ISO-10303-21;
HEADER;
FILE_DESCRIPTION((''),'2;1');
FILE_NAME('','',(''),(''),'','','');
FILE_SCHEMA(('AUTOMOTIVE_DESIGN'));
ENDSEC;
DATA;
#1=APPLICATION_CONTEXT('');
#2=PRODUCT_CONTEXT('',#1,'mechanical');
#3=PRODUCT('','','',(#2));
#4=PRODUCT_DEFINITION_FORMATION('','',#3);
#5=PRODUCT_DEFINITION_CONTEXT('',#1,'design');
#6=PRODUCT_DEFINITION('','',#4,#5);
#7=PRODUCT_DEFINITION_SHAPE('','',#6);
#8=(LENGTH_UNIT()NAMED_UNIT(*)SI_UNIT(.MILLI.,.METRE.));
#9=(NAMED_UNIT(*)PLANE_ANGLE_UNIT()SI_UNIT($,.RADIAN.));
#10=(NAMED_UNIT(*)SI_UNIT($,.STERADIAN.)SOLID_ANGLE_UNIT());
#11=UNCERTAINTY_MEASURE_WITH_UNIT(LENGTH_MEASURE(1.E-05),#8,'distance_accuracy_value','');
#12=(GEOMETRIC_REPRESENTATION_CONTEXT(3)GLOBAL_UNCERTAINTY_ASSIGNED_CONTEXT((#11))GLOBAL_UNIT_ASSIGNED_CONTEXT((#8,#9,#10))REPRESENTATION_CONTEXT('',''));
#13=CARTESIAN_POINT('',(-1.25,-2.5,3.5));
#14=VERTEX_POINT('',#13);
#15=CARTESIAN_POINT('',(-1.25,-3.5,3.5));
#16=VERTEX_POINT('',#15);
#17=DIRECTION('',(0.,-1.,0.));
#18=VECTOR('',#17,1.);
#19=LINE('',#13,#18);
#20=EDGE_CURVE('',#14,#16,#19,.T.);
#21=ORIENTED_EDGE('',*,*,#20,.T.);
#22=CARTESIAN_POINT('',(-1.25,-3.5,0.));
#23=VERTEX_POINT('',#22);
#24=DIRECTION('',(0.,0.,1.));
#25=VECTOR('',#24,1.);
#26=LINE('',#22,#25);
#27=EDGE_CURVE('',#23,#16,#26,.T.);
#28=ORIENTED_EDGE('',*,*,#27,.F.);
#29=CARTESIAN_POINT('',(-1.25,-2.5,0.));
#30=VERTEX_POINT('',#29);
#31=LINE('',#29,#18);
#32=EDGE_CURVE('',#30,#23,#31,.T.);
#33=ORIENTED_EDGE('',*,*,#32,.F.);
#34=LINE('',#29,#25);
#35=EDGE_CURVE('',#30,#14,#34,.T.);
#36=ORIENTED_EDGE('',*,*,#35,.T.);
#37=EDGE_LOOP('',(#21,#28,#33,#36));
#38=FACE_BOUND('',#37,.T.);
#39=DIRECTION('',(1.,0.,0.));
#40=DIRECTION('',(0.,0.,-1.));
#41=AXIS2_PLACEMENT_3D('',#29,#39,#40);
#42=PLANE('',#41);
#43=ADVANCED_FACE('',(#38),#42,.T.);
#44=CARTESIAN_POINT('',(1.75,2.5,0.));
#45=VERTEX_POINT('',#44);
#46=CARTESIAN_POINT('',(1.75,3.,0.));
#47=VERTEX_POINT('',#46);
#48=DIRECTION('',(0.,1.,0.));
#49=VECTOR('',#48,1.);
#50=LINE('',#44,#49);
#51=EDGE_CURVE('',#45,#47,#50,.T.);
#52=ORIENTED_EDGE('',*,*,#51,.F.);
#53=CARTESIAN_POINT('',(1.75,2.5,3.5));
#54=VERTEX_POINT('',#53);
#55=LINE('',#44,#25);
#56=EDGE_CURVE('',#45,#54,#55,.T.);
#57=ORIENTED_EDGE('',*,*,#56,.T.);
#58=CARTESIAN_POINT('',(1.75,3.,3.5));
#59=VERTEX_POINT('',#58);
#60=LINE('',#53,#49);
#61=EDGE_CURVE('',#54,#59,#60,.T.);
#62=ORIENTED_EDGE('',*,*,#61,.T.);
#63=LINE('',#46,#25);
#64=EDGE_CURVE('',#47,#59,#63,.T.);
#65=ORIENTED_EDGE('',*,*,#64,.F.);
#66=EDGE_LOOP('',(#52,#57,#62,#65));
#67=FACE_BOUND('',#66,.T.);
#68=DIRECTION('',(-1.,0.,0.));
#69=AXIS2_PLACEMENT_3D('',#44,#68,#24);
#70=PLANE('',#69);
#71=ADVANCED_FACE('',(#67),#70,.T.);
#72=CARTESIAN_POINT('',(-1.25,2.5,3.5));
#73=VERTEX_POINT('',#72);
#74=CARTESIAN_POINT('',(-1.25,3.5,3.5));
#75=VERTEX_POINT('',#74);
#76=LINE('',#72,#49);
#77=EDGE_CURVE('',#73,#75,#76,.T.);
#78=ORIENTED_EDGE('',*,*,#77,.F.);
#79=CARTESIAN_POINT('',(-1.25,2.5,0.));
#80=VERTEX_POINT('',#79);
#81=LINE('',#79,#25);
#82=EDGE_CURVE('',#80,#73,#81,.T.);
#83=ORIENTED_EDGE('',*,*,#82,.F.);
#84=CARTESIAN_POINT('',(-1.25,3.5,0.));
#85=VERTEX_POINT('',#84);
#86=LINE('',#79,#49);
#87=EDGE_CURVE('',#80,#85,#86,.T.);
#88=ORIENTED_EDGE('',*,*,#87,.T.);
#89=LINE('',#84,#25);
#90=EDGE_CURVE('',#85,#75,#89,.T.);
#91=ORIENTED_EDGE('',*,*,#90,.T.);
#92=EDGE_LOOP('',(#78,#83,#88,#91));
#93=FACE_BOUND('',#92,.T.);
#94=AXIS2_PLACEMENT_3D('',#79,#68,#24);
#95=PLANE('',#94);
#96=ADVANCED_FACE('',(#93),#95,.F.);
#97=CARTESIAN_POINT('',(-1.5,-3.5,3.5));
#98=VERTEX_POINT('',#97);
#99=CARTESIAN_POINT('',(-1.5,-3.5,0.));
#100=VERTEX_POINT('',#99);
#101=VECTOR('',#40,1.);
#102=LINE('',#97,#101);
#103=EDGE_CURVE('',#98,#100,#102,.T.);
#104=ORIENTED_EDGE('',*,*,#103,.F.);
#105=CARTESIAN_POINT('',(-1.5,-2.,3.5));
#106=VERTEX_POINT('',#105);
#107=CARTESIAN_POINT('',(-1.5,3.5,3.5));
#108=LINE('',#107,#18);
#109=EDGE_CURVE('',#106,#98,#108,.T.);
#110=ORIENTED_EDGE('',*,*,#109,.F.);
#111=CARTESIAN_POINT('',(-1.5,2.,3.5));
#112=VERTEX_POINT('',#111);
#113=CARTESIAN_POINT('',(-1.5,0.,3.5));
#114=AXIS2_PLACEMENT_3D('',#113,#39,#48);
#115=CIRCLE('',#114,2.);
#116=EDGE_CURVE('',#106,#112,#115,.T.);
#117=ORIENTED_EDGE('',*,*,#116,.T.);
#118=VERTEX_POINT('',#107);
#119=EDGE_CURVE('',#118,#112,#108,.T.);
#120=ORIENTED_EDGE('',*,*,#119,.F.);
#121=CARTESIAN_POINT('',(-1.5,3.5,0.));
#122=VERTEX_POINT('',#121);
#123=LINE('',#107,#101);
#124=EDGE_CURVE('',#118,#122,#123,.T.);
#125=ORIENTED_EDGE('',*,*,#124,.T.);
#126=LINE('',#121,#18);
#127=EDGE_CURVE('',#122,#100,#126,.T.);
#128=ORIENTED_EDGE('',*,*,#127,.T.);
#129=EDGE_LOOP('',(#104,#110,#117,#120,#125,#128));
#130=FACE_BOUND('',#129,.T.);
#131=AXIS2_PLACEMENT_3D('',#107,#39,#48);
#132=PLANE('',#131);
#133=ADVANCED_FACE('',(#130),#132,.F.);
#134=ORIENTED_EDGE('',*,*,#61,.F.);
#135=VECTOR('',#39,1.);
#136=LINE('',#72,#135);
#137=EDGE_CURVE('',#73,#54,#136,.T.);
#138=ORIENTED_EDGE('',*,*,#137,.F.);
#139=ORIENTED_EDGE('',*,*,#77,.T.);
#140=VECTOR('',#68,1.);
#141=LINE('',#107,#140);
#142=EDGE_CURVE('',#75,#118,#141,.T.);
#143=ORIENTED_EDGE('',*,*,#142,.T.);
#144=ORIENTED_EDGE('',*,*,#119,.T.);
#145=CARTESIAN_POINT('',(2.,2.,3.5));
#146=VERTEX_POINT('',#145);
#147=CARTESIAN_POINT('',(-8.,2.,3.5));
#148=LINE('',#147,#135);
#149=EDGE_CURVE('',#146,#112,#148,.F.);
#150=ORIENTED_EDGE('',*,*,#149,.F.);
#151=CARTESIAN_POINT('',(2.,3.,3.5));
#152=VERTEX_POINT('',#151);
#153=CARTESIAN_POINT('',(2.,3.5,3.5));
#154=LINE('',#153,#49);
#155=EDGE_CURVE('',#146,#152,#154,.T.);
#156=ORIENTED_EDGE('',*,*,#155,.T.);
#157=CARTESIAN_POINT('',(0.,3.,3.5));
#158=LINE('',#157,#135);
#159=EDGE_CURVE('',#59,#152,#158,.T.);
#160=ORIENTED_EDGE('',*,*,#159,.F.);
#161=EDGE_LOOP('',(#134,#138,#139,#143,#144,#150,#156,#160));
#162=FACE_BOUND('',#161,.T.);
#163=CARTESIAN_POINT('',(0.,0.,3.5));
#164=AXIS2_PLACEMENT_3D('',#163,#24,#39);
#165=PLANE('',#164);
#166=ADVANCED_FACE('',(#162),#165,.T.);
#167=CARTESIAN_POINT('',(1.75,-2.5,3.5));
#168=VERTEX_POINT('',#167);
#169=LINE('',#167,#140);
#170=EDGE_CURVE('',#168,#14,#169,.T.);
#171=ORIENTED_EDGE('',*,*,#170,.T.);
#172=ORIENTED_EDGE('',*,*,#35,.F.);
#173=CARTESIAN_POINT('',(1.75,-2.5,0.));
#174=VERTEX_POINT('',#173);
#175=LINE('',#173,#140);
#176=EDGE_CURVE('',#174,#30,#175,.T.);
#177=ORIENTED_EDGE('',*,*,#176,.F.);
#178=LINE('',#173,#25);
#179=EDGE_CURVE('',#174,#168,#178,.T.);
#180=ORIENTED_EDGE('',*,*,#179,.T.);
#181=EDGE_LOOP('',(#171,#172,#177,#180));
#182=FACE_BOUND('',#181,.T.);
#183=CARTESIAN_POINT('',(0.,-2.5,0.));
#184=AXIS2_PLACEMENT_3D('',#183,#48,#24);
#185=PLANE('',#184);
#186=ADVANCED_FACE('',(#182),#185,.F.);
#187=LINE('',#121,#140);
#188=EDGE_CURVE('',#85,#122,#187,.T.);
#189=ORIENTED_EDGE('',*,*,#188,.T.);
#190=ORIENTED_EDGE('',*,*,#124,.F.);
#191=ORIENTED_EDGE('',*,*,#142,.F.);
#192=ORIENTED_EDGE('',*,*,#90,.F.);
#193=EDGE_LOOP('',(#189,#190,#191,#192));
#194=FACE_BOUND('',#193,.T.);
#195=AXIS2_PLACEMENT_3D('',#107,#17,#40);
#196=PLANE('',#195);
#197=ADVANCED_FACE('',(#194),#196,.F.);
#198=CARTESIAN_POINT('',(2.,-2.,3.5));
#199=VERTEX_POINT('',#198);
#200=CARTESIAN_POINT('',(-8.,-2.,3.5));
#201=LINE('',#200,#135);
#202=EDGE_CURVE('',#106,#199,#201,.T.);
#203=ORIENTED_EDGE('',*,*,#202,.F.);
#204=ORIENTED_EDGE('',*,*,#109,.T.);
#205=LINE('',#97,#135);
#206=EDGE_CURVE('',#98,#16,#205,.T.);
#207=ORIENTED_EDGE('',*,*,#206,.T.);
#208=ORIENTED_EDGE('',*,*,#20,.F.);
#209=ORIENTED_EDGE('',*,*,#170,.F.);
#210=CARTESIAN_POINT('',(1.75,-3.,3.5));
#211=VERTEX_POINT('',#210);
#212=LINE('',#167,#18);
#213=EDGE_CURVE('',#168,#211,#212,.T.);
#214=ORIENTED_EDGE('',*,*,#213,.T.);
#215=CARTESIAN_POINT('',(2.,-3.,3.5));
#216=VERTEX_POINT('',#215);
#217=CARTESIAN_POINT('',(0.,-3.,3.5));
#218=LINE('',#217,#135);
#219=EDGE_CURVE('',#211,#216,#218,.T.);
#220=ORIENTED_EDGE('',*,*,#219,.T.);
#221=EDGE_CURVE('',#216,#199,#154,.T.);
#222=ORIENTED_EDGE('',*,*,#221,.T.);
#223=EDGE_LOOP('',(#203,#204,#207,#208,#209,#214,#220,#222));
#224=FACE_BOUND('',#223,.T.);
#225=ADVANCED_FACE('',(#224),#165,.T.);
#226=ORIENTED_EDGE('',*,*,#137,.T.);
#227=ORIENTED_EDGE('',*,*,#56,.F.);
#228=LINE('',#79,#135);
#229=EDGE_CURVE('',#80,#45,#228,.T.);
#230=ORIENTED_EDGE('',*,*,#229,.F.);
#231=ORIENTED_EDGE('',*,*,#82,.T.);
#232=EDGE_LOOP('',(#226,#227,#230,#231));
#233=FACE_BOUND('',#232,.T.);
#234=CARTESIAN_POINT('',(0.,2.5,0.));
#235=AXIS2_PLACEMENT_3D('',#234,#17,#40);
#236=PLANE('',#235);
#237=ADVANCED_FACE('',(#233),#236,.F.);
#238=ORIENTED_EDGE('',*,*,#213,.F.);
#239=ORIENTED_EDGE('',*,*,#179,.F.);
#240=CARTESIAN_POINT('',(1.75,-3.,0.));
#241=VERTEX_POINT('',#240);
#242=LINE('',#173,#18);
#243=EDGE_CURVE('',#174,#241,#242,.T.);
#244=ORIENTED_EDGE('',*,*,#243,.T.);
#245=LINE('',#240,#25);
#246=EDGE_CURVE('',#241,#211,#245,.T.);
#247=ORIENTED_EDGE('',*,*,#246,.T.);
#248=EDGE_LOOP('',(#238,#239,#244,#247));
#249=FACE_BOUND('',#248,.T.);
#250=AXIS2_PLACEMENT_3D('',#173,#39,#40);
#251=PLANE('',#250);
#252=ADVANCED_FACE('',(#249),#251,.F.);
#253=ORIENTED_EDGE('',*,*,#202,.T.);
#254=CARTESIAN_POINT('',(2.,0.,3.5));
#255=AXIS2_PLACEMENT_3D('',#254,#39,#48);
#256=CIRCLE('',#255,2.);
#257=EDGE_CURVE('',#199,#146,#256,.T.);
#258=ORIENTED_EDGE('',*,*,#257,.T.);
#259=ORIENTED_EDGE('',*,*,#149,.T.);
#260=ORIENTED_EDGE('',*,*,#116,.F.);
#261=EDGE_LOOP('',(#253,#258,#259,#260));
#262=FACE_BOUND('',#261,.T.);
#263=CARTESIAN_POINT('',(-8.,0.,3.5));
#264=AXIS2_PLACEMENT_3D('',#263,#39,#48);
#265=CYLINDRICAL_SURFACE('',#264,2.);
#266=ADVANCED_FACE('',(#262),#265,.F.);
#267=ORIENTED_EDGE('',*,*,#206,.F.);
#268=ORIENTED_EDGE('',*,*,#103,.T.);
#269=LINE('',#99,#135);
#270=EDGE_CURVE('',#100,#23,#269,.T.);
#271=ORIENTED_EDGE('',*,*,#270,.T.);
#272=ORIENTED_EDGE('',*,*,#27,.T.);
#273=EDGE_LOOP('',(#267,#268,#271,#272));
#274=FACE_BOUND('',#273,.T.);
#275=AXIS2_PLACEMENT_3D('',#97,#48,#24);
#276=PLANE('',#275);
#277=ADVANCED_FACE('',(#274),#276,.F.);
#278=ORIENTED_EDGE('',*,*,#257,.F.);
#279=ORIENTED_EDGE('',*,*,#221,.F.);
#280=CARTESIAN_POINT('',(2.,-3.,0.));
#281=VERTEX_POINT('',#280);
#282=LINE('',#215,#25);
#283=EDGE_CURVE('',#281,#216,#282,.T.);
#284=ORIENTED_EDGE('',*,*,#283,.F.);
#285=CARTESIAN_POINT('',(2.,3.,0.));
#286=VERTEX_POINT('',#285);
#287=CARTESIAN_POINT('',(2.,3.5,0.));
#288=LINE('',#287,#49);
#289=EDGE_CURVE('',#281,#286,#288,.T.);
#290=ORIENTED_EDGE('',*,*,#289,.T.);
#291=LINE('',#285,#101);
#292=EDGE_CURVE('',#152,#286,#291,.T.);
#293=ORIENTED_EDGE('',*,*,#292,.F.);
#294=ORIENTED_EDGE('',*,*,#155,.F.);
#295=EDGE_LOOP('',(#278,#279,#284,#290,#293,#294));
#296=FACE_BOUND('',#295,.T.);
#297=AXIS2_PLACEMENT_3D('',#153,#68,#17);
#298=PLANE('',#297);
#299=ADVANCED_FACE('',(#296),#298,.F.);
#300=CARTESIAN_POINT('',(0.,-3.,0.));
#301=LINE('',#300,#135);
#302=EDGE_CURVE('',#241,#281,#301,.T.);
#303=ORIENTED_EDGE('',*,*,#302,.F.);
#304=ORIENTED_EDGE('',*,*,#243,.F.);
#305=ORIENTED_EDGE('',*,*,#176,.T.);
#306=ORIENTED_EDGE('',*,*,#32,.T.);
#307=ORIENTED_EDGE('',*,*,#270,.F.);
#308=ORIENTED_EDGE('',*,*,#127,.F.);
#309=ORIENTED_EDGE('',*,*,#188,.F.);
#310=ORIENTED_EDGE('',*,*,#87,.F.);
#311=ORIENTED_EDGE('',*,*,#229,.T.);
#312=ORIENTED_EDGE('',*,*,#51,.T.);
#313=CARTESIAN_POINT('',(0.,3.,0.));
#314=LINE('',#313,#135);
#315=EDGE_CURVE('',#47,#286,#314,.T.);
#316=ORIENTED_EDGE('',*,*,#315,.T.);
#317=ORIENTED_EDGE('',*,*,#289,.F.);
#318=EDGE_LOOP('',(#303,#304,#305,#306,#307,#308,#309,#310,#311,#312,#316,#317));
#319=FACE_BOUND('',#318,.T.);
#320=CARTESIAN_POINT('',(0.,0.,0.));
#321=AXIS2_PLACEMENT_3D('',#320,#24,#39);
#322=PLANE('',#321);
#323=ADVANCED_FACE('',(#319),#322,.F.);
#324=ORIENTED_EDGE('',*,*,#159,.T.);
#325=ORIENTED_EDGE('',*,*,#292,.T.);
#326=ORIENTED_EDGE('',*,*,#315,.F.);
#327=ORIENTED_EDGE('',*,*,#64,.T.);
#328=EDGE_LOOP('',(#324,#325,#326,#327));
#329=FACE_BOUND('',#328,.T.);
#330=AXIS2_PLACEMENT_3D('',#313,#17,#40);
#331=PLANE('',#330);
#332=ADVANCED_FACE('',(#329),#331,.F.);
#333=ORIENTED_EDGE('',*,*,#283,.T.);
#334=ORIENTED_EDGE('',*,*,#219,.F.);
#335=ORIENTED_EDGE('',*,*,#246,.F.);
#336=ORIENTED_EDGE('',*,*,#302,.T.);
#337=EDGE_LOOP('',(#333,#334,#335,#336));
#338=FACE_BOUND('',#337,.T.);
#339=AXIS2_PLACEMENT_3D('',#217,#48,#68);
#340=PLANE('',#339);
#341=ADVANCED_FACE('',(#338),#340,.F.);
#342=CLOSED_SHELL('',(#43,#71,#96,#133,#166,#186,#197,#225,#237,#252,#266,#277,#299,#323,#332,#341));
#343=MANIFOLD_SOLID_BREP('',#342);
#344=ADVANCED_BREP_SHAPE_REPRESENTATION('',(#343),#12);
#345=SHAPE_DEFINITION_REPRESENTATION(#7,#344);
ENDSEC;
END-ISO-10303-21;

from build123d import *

# Parameters (mm, degrees)
ESQUISSE1_W             = 3.5
ESQUISSE1_H             = 7
BOSS_EXTRU_1_DEPTH      = 3.5
ESQUISSE2_W             = 3
ESQUISSE2_H             = 3.5
ENL_V_MAT_EXTRU_1_DEPTH = 1
ESQUISSE3_W             = 3
ESQUISSE3_H             = 3.5
ENL_V_MAT_EXTRU_2_DEPTH = 1
ENL_V_MAT_EXTRU_4_DEPTH = 10
ESQUISSE6_W             = 3.5
ESQUISSE6_H             = 0.5
ENL_V_MAT_EXTRU_5_DEPTH = 2


with BuildPart() as part:
    # Esquisse1 → Boss.-Extru.1 (new body)
    with BuildSketch(Plane.XY):
        with Locations((0.25, 0)):
            Rectangle(ESQUISSE1_W, ESQUISSE1_H)
    extrude(amount=BOSS_EXTRU_1_DEPTH)

    # Esquisse2 → Enlèv. mat.-Extru.1 (cut)
    with BuildSketch(Plane(origin=(0, 3.5, 0), x_dir=(1, 0, 0), z_dir=(0, 1, 0))):
        with Locations((0.25, -1.75)):
            Rectangle(ESQUISSE2_W, ESQUISSE2_H)
    extrude(amount=-ENL_V_MAT_EXTRU_1_DEPTH, mode=Mode.SUBTRACT)

    # Esquisse3 → Enlèv. mat.-Extru.2 (cut)
    with BuildSketch(Plane(origin=(0, -3.5, 0), x_dir=(-1, 0, 0), z_dir=(0, -1, 0))):
        with Locations((-0.25, -1.75)):
            Rectangle(ESQUISSE3_W, ESQUISSE3_H)
    extrude(amount=-ENL_V_MAT_EXTRU_2_DEPTH, mode=Mode.SUBTRACT)

    # Esquisse5 → Enlèv. mat.-Extru.4 (cut)
    with BuildSketch(Plane(origin=(2, 0, 0), x_dir=(0, 0, -1), z_dir=(1, 0, 0))):
        with BuildLine():
            Line((-3.5, -2), (-3.5, 2))
            ThreePointArc((-3.5, 2), (-1.5, 0), (-3.5, -2))
        make_face()
    extrude(amount=-ENL_V_MAT_EXTRU_4_DEPTH, mode=Mode.SUBTRACT)

    # Esquisse6 → Enlèv. mat.-Extru.5 (cut)
    with BuildSketch(Plane(origin=(2, 0, 0), x_dir=(0, 0, -1), z_dir=(1, 0, 0))):
        with Locations((-1.75, 3.25)):
            Rectangle(ESQUISSE6_W, ESQUISSE6_H)
        with Locations((-1.75, -3.25)):
            Rectangle(ESQUISSE6_W, ESQUISSE6_H)
    extrude(amount=-ENL_V_MAT_EXTRU_5_DEPTH, mode=Mode.SUBTRACT)


solid = part.part
